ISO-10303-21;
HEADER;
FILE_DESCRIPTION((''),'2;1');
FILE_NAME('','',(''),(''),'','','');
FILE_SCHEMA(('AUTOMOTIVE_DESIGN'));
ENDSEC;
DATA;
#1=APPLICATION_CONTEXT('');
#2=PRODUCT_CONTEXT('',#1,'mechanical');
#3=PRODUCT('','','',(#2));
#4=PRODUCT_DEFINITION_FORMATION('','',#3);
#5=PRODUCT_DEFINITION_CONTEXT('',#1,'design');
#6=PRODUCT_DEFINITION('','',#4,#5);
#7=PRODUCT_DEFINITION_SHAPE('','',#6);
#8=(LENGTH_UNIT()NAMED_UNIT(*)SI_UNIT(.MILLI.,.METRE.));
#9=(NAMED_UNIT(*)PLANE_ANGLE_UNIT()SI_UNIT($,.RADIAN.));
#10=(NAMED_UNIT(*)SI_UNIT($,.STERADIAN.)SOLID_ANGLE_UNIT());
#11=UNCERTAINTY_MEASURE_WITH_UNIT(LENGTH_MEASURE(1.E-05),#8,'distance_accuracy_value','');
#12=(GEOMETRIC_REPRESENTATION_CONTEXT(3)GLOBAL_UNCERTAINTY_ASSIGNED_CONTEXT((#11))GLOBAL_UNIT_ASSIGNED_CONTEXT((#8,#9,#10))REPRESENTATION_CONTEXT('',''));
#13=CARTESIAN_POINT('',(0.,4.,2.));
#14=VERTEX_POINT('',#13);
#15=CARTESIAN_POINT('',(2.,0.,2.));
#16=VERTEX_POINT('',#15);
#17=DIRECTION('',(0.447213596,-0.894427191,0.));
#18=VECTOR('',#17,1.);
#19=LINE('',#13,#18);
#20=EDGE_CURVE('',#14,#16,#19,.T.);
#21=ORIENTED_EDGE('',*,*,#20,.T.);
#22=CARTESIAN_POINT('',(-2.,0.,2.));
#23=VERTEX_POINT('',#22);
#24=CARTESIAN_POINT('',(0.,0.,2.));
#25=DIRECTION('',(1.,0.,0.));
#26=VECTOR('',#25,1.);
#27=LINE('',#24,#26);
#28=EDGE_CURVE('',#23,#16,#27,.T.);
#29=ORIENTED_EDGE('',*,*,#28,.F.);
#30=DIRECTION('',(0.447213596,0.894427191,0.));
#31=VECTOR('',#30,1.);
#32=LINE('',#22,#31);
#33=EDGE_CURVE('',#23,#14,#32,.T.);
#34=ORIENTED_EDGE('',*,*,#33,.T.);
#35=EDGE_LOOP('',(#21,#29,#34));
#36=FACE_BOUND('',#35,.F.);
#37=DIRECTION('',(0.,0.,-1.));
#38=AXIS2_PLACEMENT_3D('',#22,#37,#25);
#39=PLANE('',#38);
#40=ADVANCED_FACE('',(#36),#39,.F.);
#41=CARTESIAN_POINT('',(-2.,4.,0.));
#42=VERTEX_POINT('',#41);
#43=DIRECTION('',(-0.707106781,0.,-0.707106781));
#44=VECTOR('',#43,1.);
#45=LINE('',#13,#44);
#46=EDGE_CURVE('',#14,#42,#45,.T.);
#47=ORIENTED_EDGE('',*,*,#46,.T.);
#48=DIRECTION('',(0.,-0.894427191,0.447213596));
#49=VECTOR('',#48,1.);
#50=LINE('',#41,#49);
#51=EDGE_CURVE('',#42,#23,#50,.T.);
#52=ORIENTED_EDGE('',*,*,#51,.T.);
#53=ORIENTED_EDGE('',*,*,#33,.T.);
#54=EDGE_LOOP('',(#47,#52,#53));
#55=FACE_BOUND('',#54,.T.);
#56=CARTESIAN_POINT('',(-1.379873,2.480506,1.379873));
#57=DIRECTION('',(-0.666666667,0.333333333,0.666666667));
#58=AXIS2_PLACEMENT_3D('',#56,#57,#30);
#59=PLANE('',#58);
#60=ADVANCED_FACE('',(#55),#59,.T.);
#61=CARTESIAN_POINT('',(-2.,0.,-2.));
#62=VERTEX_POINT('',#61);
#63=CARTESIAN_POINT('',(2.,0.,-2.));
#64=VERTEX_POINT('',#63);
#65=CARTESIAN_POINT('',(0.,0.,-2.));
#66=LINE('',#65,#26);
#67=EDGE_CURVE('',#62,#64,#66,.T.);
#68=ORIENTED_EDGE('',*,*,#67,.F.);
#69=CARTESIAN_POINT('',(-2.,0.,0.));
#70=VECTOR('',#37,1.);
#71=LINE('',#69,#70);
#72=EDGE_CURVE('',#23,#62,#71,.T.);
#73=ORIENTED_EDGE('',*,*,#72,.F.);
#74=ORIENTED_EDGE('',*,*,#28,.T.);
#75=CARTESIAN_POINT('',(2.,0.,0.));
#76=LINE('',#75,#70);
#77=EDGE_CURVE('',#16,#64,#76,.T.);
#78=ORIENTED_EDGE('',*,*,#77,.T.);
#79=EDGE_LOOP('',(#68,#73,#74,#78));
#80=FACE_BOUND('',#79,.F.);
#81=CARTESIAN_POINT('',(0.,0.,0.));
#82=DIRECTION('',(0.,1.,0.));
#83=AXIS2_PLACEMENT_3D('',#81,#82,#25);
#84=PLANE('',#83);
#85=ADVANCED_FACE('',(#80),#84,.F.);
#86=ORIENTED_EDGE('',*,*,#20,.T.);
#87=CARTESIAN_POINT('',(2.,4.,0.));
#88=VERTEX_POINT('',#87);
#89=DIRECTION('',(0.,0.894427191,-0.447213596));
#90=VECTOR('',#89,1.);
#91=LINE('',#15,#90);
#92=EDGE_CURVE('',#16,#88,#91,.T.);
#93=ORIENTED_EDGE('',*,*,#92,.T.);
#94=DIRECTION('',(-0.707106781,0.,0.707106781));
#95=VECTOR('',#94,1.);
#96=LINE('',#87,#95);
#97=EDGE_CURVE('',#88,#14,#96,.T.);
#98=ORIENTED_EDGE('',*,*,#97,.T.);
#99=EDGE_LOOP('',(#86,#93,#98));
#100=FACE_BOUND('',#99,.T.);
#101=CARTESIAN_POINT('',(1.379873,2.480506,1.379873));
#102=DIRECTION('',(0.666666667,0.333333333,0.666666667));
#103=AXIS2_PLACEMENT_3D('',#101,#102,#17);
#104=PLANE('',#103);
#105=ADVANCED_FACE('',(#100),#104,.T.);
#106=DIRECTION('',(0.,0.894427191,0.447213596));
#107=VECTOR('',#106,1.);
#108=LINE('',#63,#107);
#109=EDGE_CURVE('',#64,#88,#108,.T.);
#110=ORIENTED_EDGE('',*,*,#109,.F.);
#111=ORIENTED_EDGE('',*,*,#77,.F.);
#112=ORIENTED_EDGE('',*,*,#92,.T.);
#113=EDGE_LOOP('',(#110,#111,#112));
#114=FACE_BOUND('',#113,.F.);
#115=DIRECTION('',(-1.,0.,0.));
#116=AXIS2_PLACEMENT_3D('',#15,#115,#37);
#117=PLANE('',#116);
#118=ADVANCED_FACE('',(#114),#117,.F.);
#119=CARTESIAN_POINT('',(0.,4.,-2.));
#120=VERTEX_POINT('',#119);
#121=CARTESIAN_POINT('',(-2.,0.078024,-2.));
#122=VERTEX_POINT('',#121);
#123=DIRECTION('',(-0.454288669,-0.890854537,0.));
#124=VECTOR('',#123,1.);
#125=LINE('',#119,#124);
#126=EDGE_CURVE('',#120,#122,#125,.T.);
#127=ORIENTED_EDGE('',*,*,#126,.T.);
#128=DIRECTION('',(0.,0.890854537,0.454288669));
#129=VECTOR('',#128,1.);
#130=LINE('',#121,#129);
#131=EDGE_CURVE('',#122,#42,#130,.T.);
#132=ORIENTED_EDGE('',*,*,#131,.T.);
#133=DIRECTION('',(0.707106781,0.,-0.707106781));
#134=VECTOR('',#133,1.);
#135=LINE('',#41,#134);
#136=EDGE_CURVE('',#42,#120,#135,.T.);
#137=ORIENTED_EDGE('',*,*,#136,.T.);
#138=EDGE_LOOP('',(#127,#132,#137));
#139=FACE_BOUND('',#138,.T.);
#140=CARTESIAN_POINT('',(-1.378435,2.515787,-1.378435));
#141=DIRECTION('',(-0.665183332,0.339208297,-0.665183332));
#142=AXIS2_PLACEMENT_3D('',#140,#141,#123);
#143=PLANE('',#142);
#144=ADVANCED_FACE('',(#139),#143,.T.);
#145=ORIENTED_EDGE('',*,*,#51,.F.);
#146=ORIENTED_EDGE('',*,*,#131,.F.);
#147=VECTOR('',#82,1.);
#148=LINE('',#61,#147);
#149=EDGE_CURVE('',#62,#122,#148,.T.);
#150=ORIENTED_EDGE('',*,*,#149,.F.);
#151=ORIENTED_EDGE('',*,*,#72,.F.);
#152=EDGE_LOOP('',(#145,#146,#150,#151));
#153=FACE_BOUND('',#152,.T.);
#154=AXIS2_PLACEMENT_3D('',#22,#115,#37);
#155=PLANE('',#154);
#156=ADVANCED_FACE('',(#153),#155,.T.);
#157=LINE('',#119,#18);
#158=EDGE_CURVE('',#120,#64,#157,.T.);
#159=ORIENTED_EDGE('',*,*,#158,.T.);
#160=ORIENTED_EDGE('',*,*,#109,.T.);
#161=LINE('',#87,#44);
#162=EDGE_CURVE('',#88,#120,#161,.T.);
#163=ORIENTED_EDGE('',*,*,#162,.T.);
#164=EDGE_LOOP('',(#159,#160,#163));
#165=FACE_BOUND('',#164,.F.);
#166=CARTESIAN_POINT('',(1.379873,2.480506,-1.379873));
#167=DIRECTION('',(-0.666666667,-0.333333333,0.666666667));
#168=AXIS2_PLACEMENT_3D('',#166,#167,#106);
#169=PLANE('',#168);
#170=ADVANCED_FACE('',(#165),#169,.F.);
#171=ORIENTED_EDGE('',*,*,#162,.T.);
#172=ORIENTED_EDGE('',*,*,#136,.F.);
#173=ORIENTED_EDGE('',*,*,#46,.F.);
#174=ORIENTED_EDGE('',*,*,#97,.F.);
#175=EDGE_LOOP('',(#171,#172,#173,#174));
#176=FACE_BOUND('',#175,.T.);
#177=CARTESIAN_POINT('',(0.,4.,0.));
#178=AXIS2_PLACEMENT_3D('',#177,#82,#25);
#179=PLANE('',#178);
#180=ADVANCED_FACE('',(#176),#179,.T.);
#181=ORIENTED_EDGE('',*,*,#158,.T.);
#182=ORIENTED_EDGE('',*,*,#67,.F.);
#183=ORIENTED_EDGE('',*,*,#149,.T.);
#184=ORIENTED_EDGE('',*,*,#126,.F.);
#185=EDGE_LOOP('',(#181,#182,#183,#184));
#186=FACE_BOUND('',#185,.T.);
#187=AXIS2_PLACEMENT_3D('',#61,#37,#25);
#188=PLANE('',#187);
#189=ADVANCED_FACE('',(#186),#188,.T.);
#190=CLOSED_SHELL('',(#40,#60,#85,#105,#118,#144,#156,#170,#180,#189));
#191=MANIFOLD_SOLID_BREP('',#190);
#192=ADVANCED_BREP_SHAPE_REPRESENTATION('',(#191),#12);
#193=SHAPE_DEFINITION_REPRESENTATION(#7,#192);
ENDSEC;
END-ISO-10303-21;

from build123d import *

# Parameters (mm, degrees)
SKETCH1_W           = 4
SKETCH1_H           = 4
BOSS_EXTRUDE1_DEPTH = 4
CUT_EXTRUDE1_DEPTH  = 4
CUT_EXTRUDE3_DEPTH  = 4
CUT_EXTRUDE5_DEPTH  = 4
CUT_EXTRUDE6_DEPTH  = 4


with BuildPart() as part:
    # Sketch1 → Boss-Extrude1 (new body)
    with BuildSketch(Plane(origin=(0, 0, 0), x_dir=(1, 0, 0), z_dir=(0, 1, 0))):
        Rectangle(SKETCH1_W, SKETCH1_H)
    extrude(amount=BOSS_EXTRUDE1_DEPTH)

    # 3DSketch1 → Cut-Extrude1 (cut, along a direction that is not the sketch's normal)
    with BuildSketch(Plane(origin=(-2, 0, 2), x_dir=(0.447213595499958, 0.894427190999916, 0), z_dir=(-0.6666666666666667, 0.33333333333333337, 0.6666666666666667))):
        Polygon((0, 0), (4.472135955, 0), (3.577708764, 2.683281573), align=None)
    extrude(amount=CUT_EXTRUDE1_DEPTH, dir=(-1, 0, 0), mode=Mode.SUBTRACT)

    # 3DSketch2 → Cut-Extrude3 (cut, along a direction that is not the sketch's normal)
    with BuildSketch(Plane(origin=(0, 4, 2), x_dir=(0.447213595499958, -0.894427190999916, 0), z_dir=(0.6666666666666667, 0.33333333333333337, 0.6666666666666667))):
        Polygon((0, 0), (4.472135955, 0), (0.894427191, 2.683281573), align=None)
    extrude(amount=CUT_EXTRUDE3_DEPTH, dir=(1, 0, 0), mode=Mode.SUBTRACT)

    # 3DSketch3 → Cut-Extrude5 (cut, along a direction that is not the sketch's normal)
    with BuildSketch(Plane(origin=(2, 0, -2), x_dir=(0, 0.894427190999916, 0.4472135954999579), z_dir=(-0.6666666666666666, -0.3333333333333333, 0.6666666666666667))):
        Polygon((0, 0), (4.472135955, 0), (3.577708764, 2.683281573), align=None)
    extrude(amount=-CUT_EXTRUDE5_DEPTH, dir=(0, 0, 1), mode=Mode.SUBTRACT)

    # 3DSketch4 → Cut-Extrude6 (cut, along a direction that is not the sketch's normal)
    with BuildSketch(Plane(origin=(0, 4, -2), x_dir=(-0.45428866888855013, -0.8908545365655772, 0), z_dir=(-0.6651833322407542, 0.3392082973899275, -0.6651833322407539))):
        Polygon((0, 0), (4.40248709, 0), (0.908577338, 2.678523328), align=None)
    extrude(amount=CUT_EXTRUDE6_DEPTH, dir=(-1, 0, 0), mode=Mode.SUBTRACT)


solid = part.part
